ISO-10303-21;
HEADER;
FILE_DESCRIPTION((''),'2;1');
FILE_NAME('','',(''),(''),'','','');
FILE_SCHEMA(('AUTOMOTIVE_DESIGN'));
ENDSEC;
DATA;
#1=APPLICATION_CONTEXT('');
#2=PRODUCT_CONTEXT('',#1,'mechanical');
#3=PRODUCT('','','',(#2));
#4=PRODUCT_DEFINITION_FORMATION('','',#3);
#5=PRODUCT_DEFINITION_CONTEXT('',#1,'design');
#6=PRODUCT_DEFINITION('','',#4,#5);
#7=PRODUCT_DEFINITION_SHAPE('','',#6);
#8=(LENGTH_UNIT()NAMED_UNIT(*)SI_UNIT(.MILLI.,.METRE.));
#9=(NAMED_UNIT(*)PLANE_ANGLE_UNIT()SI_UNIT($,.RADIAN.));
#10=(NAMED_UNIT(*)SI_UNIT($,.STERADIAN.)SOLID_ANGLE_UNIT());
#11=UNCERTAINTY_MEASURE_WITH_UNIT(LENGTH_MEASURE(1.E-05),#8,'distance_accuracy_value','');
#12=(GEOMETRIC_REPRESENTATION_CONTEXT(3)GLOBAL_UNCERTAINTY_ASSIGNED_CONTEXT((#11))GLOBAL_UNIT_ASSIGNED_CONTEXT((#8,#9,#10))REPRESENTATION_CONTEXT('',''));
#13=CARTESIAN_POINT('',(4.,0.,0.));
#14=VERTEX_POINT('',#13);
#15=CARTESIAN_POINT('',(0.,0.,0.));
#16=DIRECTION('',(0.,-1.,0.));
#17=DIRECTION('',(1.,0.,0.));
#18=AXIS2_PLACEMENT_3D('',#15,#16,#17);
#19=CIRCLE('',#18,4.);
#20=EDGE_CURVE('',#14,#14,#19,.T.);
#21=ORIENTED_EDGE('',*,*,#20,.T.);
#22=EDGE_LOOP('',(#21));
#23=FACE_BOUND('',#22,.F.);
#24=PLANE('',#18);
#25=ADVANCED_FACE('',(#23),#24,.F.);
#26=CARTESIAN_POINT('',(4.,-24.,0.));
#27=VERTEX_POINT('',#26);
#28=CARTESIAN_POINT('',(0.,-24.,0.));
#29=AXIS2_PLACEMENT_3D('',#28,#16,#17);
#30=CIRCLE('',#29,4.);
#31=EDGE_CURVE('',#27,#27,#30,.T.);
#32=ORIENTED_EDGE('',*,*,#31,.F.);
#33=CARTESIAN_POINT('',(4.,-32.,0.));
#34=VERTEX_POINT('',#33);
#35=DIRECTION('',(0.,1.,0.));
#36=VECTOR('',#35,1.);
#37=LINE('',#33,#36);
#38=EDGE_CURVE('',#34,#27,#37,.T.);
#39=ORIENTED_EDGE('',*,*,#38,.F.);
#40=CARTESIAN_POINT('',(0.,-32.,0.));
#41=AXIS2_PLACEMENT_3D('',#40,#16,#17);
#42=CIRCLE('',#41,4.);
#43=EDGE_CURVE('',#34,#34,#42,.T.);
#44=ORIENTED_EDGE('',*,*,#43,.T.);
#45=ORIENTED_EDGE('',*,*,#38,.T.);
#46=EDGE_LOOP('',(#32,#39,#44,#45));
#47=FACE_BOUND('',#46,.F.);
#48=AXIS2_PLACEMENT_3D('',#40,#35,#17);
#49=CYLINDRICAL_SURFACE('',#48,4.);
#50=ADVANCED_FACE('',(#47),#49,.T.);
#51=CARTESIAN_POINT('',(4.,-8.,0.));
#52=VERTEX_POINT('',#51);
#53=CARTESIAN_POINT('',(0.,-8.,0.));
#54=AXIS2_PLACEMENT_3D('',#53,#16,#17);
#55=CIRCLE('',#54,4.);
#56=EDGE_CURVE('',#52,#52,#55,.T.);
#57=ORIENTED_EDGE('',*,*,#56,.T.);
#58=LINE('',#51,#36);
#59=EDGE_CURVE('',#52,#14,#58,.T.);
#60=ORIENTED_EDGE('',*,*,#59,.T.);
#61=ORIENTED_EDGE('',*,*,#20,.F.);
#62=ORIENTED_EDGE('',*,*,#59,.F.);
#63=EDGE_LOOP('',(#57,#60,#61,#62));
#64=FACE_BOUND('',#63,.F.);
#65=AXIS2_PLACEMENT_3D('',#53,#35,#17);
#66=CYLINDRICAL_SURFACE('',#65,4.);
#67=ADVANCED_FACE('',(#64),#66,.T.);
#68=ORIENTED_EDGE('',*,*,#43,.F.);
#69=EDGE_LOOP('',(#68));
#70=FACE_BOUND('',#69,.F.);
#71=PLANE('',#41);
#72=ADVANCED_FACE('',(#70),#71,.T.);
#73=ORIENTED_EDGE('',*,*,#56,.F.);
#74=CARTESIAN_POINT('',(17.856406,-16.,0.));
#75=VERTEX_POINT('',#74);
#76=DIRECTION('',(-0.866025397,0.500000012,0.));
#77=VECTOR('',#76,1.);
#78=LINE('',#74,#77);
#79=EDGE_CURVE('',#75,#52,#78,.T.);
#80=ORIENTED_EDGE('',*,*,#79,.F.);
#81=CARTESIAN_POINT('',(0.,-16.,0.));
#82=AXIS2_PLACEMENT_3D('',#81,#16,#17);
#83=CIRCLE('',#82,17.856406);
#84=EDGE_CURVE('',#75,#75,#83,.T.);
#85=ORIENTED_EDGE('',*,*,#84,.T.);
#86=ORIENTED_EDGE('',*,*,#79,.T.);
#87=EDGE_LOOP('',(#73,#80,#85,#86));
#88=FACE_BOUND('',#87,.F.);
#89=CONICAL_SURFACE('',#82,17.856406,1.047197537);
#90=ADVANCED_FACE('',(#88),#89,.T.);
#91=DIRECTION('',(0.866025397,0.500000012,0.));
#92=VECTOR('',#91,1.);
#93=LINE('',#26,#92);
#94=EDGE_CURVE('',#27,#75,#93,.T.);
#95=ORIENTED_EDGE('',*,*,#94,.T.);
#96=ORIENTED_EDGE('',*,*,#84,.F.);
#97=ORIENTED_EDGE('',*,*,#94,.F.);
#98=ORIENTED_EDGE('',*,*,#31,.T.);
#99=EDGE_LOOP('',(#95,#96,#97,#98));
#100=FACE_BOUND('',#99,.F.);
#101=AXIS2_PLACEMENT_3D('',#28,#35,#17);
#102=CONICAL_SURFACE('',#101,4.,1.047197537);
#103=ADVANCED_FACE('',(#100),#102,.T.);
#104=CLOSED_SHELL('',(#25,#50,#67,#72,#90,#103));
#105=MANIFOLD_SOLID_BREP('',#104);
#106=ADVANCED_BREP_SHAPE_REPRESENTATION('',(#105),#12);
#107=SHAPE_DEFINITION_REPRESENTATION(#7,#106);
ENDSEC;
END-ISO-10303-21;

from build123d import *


with BuildPart() as f1:
    # F0 (on Top) → F1 (revolve)
    with BuildSketch(Plane.XY):
        Polygon((4, 0), (0, 0), (0, -32), (4, -32), (4, -24), (17.856406, -16), (4, -8), align=None)
        Polygon((4, -19.381198), (4, -12.618802), (9.856406, -16), align=None, mode=Mode.SUBTRACT)
        Polygon((9.856406, -16), (4, -12.618802), (4, -19.381198), align=None)
    revolve(axis=Axis((0, -16, 0), (0, -1, 0)))


solid = f1.part
